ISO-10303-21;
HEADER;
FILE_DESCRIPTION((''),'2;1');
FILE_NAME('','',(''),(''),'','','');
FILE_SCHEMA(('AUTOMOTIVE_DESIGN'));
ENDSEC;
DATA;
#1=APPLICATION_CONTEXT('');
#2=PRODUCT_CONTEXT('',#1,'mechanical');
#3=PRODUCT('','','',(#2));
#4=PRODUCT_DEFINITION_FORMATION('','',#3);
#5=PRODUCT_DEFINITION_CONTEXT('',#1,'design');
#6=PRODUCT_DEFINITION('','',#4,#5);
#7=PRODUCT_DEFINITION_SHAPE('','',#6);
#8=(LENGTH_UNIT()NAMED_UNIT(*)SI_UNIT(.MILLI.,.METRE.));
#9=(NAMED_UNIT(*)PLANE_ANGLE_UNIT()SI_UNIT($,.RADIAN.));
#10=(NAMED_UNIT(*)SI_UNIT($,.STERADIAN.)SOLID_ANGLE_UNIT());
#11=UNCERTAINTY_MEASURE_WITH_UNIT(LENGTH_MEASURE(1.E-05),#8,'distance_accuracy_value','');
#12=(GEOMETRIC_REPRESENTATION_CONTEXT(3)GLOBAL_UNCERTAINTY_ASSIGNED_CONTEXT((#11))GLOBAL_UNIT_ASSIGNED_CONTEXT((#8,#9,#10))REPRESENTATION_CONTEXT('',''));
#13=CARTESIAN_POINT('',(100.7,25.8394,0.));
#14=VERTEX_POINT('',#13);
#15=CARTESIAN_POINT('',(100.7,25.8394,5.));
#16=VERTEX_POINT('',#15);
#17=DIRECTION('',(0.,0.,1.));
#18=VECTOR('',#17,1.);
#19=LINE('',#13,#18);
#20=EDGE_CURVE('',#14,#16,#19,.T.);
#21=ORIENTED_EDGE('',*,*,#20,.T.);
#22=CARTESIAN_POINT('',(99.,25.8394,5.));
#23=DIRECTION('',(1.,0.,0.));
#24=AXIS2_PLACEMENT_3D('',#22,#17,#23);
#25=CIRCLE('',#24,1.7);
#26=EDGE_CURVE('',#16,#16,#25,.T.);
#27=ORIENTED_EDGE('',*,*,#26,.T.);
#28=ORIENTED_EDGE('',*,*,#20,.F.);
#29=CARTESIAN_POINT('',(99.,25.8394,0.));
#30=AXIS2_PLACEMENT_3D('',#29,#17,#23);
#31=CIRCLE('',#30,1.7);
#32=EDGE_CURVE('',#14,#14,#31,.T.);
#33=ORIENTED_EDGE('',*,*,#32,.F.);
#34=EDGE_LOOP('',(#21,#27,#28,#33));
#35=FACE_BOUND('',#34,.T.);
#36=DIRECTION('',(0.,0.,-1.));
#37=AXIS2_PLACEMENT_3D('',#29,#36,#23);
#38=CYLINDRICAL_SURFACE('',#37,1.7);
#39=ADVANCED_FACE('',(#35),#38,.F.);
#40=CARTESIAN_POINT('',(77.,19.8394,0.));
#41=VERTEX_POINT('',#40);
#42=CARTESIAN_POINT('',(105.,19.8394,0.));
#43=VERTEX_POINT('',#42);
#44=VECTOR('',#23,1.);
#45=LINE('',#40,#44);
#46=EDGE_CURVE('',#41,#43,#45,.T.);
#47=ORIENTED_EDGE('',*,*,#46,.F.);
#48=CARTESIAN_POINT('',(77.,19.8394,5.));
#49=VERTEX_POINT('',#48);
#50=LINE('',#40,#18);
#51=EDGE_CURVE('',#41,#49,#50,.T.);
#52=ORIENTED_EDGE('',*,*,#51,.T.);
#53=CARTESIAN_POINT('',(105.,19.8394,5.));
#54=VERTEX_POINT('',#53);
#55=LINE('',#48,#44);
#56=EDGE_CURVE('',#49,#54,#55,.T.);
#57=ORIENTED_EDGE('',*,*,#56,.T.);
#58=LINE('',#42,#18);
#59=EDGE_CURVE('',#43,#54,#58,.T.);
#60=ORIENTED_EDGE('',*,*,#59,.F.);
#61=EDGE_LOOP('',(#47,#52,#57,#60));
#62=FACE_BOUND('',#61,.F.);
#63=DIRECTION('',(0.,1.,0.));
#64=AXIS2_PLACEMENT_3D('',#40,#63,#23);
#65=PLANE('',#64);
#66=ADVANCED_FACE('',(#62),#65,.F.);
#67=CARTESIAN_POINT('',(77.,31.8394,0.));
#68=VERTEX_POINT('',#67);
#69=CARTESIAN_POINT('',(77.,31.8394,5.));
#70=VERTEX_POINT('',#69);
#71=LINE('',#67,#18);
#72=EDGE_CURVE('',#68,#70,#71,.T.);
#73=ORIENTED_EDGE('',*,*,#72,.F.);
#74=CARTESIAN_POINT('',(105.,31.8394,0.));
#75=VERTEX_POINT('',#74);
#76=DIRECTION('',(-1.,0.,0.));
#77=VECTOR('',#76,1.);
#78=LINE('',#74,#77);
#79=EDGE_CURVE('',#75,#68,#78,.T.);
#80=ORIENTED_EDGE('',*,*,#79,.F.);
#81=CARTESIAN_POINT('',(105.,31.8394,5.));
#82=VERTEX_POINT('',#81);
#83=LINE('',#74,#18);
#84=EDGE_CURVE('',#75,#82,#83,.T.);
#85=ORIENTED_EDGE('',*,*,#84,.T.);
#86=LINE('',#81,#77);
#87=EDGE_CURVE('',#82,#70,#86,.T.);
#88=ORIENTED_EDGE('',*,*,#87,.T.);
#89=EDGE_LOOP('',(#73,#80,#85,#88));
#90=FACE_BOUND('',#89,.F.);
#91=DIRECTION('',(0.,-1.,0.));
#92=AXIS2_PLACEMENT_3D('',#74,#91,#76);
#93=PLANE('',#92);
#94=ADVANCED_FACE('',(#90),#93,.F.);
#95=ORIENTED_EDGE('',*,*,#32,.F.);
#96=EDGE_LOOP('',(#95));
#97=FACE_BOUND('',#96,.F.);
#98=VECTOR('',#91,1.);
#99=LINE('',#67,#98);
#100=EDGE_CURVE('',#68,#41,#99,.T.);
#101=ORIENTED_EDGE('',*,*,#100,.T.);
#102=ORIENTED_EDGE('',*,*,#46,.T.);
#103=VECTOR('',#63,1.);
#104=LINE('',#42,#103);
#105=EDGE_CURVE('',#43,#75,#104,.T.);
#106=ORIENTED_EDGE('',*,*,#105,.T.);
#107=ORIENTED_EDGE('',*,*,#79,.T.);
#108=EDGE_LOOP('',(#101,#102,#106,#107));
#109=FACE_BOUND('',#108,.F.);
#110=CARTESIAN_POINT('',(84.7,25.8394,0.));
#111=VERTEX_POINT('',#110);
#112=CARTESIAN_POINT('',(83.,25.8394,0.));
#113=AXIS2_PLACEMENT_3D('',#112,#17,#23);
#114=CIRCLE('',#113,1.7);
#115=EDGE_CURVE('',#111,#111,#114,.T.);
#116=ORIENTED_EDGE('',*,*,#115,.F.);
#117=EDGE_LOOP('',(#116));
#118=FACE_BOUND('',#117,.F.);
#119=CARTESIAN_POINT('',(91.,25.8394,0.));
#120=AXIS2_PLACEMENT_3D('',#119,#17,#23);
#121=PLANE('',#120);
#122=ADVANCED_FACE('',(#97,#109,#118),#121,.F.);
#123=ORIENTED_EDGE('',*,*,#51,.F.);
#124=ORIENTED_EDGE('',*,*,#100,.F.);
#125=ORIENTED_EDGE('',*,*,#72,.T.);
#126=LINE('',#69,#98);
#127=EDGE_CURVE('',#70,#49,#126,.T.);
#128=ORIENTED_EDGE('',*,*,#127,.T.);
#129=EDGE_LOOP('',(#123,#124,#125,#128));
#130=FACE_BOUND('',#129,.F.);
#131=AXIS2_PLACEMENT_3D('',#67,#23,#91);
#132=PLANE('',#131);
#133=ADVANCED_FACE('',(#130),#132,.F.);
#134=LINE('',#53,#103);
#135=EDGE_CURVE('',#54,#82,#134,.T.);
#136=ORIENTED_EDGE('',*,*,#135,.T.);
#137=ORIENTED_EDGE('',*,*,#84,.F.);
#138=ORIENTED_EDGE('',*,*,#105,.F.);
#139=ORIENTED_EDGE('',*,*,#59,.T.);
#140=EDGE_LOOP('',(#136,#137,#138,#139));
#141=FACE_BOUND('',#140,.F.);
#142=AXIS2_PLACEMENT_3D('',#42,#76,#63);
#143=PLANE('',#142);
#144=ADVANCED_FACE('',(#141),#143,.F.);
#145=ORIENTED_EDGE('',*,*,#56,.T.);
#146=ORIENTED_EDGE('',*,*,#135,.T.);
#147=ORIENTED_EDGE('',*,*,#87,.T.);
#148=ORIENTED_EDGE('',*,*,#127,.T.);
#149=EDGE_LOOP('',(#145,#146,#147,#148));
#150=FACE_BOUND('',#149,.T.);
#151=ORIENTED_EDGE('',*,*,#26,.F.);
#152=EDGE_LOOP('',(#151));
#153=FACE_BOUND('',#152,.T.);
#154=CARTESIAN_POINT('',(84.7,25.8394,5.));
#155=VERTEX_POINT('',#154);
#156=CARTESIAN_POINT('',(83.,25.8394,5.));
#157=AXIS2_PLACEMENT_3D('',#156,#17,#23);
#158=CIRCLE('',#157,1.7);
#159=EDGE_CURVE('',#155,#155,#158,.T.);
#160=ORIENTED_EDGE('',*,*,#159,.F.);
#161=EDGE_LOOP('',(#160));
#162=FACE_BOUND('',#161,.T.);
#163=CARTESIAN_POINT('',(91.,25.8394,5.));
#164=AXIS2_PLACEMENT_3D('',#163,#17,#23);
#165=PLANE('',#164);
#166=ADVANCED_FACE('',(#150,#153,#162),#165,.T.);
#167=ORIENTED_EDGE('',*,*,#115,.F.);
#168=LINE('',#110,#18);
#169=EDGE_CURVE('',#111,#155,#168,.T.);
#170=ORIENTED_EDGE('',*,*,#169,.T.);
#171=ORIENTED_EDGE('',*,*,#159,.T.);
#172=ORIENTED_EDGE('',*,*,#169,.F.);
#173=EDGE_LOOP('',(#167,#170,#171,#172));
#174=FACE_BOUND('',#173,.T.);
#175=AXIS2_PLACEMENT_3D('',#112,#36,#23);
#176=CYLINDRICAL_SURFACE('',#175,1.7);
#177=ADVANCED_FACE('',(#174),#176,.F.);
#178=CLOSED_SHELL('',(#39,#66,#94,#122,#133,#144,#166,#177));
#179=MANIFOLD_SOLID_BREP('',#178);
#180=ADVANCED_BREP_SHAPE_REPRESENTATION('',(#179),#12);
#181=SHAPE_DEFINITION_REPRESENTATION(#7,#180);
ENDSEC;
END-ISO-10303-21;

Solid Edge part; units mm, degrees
sketch "Sketch1" plane through (0, 0, 0) normal (0, 0, 1) x (1, 0, 0)
  circle A0 centre (99, 25.8394) radius 1.7
  line L0 (77, 19.8394) -> (105, 19.8394)
  line L1 (105, 19.8394) -> (105, 31.8394)
  line L2 (105, 31.8394) -> (77, 31.8394)
  line L3 (77, 31.8394) -> (77, 19.8394)
  circle A1 centre (83, 25.8394) radius 1.7
  dimension "D1" = 12
  dimension "D2" = 6
  dimension "D3" = 6
  dimension "D4" = 28
extrude "Protrusion1" add sketch "Sketch1" along normal blind 5
properties material "ABS Plastic, high impact"
